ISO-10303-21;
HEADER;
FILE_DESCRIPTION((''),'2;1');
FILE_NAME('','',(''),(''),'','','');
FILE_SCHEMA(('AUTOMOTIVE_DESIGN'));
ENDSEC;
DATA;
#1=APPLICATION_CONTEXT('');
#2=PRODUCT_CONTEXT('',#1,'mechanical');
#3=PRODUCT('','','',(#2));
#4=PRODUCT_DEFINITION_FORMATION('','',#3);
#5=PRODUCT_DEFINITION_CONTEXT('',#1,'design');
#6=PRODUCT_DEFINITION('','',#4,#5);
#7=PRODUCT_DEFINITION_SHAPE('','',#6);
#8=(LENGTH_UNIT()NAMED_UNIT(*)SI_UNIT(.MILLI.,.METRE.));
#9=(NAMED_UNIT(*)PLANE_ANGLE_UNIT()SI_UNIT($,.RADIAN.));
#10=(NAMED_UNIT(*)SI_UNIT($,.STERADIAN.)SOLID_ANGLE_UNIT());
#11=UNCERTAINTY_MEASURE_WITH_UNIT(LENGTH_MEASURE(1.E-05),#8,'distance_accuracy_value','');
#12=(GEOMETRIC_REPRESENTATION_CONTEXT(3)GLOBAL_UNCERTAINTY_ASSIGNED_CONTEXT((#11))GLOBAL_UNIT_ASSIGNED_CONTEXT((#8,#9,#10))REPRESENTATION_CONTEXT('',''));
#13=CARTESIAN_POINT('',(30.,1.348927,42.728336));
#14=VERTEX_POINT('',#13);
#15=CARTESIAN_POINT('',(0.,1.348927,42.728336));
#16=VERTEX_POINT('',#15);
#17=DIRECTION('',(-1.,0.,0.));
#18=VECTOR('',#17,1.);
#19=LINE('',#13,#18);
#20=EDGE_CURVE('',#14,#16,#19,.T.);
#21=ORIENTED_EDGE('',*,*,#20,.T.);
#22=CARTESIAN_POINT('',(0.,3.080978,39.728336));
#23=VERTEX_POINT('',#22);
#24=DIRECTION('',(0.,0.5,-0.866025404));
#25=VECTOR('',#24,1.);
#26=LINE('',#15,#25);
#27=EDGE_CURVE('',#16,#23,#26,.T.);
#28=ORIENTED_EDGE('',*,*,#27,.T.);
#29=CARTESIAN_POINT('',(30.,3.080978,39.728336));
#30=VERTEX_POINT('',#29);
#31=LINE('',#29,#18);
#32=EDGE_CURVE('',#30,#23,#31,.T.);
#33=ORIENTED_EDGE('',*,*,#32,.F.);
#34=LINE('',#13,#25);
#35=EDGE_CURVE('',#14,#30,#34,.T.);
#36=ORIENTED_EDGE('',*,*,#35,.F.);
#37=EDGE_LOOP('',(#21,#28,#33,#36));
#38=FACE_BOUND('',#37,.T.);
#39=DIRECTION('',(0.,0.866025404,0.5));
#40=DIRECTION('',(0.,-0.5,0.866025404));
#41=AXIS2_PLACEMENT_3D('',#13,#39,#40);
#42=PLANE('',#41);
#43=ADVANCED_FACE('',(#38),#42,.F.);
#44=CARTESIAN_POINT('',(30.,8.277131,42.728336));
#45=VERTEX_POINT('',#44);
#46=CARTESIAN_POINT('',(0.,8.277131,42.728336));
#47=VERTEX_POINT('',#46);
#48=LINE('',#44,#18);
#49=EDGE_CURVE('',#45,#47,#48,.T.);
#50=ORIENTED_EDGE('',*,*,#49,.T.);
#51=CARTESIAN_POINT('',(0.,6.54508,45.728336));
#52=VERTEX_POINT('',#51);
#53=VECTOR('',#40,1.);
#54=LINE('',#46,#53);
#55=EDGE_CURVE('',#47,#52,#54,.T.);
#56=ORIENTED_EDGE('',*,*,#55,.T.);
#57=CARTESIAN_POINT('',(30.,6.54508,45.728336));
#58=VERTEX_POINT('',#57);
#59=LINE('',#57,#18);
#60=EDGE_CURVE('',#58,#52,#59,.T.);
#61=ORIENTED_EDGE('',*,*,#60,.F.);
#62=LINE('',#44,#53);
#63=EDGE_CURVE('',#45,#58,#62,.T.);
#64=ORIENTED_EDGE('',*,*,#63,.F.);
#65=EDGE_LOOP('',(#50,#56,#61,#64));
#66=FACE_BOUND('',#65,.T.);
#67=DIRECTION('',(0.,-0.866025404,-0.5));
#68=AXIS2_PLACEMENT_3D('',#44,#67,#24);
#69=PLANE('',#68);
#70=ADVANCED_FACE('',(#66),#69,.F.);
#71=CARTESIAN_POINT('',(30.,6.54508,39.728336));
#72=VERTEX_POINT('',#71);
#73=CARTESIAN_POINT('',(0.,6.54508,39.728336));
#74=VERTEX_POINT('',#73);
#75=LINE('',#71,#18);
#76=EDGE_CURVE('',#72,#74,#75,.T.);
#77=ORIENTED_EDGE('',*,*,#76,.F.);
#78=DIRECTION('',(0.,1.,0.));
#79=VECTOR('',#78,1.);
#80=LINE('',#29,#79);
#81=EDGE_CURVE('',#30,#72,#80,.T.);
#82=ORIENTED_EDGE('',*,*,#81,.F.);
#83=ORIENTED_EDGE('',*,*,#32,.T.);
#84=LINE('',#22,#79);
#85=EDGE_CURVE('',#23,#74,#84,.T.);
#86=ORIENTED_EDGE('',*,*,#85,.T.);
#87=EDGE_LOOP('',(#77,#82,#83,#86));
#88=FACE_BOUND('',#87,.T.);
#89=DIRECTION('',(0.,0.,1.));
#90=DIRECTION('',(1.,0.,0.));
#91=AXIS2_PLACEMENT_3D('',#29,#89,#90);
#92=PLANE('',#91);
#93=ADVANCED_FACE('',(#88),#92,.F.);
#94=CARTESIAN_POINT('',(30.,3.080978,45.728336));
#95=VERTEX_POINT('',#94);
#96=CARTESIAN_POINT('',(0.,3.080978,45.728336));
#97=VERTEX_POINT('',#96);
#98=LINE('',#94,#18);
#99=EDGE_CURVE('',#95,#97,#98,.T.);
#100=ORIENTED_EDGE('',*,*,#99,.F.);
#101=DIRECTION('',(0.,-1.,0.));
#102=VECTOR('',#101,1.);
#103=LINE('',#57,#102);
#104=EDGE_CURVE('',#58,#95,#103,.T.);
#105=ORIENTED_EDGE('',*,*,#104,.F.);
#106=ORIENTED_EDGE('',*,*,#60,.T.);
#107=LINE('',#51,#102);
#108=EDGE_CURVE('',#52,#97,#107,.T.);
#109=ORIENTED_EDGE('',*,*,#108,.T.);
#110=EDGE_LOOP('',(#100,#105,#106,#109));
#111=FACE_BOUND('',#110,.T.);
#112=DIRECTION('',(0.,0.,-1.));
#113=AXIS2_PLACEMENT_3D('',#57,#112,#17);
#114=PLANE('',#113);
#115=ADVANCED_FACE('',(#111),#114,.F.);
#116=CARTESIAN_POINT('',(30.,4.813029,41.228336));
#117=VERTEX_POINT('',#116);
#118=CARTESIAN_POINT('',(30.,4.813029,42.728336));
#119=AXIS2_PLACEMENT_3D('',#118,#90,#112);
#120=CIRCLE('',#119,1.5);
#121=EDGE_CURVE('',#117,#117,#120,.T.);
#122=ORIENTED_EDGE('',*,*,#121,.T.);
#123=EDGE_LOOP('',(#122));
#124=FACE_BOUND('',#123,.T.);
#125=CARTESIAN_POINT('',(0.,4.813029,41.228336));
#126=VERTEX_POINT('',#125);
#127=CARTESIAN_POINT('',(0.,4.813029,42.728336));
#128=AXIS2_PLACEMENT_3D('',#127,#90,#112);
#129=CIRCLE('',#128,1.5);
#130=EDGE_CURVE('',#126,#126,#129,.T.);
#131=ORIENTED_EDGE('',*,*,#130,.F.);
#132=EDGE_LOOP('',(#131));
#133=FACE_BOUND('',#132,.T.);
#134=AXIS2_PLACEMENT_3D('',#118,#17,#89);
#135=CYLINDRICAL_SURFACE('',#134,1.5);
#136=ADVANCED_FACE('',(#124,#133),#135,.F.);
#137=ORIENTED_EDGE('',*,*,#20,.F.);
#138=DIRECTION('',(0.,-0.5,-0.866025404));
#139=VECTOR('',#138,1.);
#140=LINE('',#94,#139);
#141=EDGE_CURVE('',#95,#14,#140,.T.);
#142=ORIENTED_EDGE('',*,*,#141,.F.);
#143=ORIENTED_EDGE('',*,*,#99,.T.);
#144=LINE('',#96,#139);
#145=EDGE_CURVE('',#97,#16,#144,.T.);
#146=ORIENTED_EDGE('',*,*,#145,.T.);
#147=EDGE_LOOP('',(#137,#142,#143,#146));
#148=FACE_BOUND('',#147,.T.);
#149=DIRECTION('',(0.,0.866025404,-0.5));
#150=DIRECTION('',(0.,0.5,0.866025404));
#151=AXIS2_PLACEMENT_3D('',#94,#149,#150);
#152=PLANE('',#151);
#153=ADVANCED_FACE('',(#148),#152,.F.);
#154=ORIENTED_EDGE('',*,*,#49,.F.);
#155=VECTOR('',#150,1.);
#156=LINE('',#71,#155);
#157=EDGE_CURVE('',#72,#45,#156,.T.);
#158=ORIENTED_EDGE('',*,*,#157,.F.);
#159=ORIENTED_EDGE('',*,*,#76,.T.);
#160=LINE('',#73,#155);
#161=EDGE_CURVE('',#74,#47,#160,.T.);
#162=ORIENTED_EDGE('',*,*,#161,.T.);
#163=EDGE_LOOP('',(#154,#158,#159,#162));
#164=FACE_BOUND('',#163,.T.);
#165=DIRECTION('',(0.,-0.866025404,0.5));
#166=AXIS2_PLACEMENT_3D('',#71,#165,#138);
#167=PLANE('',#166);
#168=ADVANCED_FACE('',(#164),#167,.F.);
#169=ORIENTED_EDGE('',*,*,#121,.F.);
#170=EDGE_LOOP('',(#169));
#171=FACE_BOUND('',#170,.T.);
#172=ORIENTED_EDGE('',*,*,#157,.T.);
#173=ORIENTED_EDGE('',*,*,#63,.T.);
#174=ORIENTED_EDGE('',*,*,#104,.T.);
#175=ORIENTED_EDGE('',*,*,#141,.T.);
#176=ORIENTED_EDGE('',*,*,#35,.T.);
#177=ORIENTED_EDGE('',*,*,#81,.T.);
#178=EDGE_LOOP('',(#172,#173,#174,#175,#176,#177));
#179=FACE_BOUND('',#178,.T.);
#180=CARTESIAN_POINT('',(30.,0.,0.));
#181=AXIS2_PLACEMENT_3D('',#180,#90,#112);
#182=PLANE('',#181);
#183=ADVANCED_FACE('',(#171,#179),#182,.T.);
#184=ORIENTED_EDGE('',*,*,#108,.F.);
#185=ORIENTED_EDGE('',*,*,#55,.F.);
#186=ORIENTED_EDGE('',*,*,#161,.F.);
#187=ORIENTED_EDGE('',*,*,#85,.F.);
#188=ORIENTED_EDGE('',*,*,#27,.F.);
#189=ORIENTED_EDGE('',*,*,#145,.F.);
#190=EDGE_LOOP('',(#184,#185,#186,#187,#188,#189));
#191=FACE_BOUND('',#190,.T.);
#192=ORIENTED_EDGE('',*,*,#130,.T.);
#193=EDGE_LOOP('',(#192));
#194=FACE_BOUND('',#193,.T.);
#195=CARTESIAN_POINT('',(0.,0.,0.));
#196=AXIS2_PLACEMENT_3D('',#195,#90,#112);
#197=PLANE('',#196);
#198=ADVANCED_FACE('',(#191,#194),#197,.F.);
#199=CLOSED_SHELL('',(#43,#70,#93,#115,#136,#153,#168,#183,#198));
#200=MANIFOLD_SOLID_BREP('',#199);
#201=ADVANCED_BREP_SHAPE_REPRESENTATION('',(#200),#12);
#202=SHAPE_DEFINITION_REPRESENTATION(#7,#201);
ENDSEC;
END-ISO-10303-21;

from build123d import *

# Parameters (mm, degrees)
SKETCH1_R           = 1.5
BOSS_EXTRUDE1_DEPTH = 30


with BuildPart() as part:
    # Sketch1 → Boss-Extrude1 (new body)
    with BuildSketch(Plane(origin=(0, 0, 0), x_dir=(0, 0, -1), z_dir=(1, 0, 0))):
        Polygon((-42.728336364, 8.277130653), (-45.728336364, 6.545079846), (-45.728336364, 3.08097823), (-42.728336364, 1.348927423), (-39.728336364, 3.08097823), (-39.728336364, 6.545079846), align=None)
        with Locations((-42.728336364, 4.813029038)):
            Circle(SKETCH1_R, mode=Mode.SUBTRACT)
    extrude(amount=BOSS_EXTRUDE1_DEPTH)


solid = part.part
